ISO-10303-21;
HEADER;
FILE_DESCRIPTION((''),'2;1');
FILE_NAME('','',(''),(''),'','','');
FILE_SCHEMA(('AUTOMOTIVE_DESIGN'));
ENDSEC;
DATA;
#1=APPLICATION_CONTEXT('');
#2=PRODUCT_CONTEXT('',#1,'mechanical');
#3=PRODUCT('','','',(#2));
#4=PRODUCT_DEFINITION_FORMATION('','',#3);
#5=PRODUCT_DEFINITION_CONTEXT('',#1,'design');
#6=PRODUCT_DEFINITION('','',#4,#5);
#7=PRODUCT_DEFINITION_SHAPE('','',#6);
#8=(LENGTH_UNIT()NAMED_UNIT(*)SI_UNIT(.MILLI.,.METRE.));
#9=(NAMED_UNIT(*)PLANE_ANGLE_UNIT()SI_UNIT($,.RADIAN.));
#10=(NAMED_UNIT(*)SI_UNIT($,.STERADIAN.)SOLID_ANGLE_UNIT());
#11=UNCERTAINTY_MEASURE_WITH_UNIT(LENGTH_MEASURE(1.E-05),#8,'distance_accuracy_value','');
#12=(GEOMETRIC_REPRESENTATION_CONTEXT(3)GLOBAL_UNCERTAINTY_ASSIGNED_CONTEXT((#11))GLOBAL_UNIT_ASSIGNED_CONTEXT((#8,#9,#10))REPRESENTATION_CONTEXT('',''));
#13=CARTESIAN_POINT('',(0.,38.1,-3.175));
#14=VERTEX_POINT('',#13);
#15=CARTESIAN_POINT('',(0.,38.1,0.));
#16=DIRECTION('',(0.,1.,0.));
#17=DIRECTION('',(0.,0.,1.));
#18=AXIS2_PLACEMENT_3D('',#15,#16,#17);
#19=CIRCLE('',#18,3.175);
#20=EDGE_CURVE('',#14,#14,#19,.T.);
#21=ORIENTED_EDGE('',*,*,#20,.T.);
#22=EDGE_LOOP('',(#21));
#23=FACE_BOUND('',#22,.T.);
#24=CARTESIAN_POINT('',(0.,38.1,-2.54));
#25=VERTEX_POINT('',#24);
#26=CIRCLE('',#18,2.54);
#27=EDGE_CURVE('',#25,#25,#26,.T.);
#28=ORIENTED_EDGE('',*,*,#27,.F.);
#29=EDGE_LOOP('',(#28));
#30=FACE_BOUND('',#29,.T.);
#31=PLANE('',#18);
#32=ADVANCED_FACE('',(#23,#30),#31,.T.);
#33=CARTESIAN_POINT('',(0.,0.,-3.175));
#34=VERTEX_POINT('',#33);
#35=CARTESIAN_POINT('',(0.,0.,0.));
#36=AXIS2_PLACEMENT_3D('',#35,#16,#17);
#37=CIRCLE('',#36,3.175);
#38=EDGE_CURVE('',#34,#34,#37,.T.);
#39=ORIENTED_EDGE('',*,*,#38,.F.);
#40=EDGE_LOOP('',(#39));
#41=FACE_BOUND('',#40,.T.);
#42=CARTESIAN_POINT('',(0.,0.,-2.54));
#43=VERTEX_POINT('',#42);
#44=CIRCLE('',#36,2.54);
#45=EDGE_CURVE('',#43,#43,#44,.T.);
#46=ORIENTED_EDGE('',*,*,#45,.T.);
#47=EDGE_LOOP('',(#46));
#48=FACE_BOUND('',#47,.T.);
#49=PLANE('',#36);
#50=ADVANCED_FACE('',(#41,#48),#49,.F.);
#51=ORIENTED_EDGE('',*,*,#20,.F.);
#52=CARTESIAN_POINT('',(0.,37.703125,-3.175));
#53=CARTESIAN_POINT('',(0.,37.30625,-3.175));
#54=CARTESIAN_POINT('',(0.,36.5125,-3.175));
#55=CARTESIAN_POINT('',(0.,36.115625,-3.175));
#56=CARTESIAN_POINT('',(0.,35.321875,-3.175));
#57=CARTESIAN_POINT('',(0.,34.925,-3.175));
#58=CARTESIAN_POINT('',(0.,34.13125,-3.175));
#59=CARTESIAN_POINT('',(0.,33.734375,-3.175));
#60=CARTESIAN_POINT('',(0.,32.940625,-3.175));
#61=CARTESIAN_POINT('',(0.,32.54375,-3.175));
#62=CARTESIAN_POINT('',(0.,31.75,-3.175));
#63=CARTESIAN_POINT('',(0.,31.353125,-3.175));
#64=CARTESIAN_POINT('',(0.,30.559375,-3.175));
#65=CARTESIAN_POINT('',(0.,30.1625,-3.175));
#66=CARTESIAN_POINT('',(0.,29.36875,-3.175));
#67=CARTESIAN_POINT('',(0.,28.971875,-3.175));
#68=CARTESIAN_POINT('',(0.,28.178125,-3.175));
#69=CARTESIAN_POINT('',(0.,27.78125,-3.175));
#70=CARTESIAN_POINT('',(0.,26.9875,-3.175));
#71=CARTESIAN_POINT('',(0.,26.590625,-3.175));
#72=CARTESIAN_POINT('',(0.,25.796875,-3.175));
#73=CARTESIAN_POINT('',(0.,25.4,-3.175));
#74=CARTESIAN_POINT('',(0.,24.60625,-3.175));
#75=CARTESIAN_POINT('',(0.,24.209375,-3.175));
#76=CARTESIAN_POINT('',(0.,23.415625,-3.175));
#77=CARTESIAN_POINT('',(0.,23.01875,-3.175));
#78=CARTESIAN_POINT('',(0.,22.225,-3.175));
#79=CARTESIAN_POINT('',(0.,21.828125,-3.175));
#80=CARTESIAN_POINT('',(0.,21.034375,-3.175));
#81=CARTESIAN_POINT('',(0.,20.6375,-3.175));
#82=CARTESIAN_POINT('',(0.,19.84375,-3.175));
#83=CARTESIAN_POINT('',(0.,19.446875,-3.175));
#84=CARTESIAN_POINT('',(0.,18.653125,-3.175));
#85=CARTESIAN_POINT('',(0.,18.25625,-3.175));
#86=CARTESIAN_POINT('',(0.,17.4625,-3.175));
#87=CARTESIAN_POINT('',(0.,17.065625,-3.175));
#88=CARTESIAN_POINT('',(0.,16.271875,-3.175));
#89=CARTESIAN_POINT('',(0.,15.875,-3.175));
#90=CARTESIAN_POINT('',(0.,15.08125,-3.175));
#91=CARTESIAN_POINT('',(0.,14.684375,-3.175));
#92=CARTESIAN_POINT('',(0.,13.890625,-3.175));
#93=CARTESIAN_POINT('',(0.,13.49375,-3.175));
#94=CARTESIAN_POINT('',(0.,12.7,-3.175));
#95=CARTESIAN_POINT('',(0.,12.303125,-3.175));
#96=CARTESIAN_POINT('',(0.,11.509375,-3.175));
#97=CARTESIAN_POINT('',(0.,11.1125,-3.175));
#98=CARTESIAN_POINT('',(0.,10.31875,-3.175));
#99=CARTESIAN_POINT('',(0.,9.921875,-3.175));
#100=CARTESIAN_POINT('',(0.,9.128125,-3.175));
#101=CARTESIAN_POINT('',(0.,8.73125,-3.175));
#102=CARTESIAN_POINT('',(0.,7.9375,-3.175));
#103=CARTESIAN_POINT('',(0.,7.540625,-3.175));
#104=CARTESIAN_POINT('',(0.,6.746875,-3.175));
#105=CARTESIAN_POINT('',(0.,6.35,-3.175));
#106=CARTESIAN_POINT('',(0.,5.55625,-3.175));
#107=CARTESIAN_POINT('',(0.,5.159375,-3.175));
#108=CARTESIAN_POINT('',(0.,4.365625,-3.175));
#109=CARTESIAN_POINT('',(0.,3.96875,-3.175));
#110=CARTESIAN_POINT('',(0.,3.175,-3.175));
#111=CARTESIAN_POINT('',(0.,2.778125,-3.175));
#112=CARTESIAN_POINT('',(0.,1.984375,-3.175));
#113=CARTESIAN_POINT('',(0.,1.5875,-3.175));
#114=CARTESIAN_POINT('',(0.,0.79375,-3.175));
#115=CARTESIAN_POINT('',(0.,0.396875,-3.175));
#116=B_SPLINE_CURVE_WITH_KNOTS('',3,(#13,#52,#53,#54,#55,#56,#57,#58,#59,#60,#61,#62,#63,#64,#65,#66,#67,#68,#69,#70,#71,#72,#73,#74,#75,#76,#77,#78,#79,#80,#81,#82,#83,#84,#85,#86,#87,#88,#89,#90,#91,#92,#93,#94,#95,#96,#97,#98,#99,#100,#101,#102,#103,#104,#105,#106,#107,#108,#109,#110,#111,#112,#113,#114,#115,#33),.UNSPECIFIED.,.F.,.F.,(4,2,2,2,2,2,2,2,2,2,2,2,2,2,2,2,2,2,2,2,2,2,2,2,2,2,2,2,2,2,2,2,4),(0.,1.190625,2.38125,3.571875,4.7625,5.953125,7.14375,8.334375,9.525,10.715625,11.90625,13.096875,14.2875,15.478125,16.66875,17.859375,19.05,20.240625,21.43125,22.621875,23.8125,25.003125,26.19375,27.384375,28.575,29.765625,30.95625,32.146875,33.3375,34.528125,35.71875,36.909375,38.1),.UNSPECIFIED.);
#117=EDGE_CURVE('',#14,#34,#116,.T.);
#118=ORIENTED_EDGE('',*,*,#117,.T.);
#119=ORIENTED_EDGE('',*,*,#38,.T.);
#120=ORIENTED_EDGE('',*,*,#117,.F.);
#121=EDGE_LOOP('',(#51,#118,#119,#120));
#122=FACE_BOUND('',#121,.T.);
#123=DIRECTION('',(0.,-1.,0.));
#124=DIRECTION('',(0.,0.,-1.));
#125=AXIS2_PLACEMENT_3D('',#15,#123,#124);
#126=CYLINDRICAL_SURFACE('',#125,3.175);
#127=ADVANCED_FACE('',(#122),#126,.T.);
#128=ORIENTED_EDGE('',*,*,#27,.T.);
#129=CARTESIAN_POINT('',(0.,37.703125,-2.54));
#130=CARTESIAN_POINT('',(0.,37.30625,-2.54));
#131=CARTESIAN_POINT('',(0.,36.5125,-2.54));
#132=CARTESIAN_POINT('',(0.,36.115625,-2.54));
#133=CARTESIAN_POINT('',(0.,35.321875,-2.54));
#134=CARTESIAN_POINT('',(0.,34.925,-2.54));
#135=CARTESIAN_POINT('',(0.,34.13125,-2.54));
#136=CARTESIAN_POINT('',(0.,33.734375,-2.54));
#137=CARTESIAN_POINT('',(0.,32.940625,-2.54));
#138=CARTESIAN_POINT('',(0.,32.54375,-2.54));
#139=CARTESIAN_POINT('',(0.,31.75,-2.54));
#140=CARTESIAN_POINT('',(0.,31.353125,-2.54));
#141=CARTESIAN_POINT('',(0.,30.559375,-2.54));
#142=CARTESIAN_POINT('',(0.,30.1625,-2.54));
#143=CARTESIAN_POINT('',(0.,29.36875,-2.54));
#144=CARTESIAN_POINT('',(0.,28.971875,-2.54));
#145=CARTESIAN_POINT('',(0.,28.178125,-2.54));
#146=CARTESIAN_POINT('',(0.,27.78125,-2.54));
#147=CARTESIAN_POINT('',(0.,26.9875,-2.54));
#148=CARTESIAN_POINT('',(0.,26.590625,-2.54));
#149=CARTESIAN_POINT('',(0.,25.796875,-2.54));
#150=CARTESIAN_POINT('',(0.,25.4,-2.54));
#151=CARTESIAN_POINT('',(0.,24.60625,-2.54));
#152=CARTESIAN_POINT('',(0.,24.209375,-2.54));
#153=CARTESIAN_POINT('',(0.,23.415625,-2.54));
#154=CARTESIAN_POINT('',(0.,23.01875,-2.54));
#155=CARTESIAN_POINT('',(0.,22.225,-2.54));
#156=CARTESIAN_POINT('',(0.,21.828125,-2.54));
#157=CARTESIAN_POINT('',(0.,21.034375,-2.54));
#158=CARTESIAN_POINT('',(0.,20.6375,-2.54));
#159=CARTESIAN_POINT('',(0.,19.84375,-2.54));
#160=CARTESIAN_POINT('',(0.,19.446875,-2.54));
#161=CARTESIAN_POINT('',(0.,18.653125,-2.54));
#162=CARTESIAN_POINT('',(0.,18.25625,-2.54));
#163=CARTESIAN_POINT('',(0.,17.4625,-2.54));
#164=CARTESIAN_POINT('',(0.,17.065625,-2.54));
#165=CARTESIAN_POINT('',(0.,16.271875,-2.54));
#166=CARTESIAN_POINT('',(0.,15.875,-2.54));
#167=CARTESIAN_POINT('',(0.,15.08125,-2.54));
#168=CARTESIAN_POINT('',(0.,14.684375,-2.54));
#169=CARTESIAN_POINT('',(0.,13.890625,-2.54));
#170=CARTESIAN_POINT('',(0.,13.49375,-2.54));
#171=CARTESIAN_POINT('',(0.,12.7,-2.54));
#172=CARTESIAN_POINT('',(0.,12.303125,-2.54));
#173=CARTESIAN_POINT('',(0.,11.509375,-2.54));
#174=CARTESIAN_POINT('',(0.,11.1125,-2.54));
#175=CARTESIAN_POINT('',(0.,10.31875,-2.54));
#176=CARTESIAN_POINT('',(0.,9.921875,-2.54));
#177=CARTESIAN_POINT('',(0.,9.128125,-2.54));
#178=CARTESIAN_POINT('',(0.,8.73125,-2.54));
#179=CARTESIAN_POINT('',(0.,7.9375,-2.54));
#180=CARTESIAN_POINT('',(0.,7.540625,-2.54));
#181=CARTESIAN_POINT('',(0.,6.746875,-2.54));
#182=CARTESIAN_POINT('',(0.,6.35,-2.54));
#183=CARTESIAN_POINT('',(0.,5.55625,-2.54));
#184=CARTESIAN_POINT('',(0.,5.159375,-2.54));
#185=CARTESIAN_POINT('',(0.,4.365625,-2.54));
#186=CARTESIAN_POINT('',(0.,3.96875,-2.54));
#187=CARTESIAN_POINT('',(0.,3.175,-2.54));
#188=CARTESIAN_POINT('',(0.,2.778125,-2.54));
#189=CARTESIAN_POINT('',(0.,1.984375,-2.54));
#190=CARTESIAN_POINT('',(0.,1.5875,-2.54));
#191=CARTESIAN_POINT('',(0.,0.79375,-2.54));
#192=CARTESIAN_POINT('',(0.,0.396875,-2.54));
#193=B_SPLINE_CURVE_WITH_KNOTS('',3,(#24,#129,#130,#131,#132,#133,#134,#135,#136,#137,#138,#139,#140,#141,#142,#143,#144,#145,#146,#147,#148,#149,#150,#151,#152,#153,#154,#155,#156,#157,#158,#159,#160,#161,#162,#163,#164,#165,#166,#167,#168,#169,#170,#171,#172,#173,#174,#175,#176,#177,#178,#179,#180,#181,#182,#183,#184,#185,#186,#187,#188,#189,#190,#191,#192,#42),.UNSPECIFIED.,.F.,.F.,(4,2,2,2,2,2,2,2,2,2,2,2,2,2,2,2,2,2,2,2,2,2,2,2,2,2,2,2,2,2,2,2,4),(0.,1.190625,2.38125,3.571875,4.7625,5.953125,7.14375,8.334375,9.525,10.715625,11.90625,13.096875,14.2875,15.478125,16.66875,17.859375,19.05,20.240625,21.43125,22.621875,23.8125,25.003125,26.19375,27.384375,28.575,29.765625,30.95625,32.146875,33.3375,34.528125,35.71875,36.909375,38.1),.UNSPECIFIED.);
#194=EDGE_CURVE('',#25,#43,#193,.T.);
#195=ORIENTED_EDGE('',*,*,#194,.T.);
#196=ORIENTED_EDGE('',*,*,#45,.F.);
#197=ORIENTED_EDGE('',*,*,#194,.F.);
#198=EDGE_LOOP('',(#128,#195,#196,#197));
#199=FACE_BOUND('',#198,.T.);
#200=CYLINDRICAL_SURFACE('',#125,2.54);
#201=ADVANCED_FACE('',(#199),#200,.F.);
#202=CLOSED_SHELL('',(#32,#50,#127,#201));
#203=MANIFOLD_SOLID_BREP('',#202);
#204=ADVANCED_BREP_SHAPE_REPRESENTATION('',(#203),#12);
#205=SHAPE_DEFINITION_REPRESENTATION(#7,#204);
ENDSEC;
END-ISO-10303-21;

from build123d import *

# Parameters (mm, degrees)
SKETCH1_R           = 3.175
SKETCH1_R_2         = 2.54
BOSS_EXTRUDE1_DEPTH = 38.1


with BuildPart() as part:
    # Sketch1 → Boss-Extrude1 (new body)
    with BuildSketch(Plane(origin=(0, 0, 0), x_dir=(1, 0, 0), z_dir=(0, 1, 0))):
        Circle(SKETCH1_R)
        Circle(SKETCH1_R_2, mode=Mode.SUBTRACT)
    extrude(amount=BOSS_EXTRUDE1_DEPTH)


solid = part.part
